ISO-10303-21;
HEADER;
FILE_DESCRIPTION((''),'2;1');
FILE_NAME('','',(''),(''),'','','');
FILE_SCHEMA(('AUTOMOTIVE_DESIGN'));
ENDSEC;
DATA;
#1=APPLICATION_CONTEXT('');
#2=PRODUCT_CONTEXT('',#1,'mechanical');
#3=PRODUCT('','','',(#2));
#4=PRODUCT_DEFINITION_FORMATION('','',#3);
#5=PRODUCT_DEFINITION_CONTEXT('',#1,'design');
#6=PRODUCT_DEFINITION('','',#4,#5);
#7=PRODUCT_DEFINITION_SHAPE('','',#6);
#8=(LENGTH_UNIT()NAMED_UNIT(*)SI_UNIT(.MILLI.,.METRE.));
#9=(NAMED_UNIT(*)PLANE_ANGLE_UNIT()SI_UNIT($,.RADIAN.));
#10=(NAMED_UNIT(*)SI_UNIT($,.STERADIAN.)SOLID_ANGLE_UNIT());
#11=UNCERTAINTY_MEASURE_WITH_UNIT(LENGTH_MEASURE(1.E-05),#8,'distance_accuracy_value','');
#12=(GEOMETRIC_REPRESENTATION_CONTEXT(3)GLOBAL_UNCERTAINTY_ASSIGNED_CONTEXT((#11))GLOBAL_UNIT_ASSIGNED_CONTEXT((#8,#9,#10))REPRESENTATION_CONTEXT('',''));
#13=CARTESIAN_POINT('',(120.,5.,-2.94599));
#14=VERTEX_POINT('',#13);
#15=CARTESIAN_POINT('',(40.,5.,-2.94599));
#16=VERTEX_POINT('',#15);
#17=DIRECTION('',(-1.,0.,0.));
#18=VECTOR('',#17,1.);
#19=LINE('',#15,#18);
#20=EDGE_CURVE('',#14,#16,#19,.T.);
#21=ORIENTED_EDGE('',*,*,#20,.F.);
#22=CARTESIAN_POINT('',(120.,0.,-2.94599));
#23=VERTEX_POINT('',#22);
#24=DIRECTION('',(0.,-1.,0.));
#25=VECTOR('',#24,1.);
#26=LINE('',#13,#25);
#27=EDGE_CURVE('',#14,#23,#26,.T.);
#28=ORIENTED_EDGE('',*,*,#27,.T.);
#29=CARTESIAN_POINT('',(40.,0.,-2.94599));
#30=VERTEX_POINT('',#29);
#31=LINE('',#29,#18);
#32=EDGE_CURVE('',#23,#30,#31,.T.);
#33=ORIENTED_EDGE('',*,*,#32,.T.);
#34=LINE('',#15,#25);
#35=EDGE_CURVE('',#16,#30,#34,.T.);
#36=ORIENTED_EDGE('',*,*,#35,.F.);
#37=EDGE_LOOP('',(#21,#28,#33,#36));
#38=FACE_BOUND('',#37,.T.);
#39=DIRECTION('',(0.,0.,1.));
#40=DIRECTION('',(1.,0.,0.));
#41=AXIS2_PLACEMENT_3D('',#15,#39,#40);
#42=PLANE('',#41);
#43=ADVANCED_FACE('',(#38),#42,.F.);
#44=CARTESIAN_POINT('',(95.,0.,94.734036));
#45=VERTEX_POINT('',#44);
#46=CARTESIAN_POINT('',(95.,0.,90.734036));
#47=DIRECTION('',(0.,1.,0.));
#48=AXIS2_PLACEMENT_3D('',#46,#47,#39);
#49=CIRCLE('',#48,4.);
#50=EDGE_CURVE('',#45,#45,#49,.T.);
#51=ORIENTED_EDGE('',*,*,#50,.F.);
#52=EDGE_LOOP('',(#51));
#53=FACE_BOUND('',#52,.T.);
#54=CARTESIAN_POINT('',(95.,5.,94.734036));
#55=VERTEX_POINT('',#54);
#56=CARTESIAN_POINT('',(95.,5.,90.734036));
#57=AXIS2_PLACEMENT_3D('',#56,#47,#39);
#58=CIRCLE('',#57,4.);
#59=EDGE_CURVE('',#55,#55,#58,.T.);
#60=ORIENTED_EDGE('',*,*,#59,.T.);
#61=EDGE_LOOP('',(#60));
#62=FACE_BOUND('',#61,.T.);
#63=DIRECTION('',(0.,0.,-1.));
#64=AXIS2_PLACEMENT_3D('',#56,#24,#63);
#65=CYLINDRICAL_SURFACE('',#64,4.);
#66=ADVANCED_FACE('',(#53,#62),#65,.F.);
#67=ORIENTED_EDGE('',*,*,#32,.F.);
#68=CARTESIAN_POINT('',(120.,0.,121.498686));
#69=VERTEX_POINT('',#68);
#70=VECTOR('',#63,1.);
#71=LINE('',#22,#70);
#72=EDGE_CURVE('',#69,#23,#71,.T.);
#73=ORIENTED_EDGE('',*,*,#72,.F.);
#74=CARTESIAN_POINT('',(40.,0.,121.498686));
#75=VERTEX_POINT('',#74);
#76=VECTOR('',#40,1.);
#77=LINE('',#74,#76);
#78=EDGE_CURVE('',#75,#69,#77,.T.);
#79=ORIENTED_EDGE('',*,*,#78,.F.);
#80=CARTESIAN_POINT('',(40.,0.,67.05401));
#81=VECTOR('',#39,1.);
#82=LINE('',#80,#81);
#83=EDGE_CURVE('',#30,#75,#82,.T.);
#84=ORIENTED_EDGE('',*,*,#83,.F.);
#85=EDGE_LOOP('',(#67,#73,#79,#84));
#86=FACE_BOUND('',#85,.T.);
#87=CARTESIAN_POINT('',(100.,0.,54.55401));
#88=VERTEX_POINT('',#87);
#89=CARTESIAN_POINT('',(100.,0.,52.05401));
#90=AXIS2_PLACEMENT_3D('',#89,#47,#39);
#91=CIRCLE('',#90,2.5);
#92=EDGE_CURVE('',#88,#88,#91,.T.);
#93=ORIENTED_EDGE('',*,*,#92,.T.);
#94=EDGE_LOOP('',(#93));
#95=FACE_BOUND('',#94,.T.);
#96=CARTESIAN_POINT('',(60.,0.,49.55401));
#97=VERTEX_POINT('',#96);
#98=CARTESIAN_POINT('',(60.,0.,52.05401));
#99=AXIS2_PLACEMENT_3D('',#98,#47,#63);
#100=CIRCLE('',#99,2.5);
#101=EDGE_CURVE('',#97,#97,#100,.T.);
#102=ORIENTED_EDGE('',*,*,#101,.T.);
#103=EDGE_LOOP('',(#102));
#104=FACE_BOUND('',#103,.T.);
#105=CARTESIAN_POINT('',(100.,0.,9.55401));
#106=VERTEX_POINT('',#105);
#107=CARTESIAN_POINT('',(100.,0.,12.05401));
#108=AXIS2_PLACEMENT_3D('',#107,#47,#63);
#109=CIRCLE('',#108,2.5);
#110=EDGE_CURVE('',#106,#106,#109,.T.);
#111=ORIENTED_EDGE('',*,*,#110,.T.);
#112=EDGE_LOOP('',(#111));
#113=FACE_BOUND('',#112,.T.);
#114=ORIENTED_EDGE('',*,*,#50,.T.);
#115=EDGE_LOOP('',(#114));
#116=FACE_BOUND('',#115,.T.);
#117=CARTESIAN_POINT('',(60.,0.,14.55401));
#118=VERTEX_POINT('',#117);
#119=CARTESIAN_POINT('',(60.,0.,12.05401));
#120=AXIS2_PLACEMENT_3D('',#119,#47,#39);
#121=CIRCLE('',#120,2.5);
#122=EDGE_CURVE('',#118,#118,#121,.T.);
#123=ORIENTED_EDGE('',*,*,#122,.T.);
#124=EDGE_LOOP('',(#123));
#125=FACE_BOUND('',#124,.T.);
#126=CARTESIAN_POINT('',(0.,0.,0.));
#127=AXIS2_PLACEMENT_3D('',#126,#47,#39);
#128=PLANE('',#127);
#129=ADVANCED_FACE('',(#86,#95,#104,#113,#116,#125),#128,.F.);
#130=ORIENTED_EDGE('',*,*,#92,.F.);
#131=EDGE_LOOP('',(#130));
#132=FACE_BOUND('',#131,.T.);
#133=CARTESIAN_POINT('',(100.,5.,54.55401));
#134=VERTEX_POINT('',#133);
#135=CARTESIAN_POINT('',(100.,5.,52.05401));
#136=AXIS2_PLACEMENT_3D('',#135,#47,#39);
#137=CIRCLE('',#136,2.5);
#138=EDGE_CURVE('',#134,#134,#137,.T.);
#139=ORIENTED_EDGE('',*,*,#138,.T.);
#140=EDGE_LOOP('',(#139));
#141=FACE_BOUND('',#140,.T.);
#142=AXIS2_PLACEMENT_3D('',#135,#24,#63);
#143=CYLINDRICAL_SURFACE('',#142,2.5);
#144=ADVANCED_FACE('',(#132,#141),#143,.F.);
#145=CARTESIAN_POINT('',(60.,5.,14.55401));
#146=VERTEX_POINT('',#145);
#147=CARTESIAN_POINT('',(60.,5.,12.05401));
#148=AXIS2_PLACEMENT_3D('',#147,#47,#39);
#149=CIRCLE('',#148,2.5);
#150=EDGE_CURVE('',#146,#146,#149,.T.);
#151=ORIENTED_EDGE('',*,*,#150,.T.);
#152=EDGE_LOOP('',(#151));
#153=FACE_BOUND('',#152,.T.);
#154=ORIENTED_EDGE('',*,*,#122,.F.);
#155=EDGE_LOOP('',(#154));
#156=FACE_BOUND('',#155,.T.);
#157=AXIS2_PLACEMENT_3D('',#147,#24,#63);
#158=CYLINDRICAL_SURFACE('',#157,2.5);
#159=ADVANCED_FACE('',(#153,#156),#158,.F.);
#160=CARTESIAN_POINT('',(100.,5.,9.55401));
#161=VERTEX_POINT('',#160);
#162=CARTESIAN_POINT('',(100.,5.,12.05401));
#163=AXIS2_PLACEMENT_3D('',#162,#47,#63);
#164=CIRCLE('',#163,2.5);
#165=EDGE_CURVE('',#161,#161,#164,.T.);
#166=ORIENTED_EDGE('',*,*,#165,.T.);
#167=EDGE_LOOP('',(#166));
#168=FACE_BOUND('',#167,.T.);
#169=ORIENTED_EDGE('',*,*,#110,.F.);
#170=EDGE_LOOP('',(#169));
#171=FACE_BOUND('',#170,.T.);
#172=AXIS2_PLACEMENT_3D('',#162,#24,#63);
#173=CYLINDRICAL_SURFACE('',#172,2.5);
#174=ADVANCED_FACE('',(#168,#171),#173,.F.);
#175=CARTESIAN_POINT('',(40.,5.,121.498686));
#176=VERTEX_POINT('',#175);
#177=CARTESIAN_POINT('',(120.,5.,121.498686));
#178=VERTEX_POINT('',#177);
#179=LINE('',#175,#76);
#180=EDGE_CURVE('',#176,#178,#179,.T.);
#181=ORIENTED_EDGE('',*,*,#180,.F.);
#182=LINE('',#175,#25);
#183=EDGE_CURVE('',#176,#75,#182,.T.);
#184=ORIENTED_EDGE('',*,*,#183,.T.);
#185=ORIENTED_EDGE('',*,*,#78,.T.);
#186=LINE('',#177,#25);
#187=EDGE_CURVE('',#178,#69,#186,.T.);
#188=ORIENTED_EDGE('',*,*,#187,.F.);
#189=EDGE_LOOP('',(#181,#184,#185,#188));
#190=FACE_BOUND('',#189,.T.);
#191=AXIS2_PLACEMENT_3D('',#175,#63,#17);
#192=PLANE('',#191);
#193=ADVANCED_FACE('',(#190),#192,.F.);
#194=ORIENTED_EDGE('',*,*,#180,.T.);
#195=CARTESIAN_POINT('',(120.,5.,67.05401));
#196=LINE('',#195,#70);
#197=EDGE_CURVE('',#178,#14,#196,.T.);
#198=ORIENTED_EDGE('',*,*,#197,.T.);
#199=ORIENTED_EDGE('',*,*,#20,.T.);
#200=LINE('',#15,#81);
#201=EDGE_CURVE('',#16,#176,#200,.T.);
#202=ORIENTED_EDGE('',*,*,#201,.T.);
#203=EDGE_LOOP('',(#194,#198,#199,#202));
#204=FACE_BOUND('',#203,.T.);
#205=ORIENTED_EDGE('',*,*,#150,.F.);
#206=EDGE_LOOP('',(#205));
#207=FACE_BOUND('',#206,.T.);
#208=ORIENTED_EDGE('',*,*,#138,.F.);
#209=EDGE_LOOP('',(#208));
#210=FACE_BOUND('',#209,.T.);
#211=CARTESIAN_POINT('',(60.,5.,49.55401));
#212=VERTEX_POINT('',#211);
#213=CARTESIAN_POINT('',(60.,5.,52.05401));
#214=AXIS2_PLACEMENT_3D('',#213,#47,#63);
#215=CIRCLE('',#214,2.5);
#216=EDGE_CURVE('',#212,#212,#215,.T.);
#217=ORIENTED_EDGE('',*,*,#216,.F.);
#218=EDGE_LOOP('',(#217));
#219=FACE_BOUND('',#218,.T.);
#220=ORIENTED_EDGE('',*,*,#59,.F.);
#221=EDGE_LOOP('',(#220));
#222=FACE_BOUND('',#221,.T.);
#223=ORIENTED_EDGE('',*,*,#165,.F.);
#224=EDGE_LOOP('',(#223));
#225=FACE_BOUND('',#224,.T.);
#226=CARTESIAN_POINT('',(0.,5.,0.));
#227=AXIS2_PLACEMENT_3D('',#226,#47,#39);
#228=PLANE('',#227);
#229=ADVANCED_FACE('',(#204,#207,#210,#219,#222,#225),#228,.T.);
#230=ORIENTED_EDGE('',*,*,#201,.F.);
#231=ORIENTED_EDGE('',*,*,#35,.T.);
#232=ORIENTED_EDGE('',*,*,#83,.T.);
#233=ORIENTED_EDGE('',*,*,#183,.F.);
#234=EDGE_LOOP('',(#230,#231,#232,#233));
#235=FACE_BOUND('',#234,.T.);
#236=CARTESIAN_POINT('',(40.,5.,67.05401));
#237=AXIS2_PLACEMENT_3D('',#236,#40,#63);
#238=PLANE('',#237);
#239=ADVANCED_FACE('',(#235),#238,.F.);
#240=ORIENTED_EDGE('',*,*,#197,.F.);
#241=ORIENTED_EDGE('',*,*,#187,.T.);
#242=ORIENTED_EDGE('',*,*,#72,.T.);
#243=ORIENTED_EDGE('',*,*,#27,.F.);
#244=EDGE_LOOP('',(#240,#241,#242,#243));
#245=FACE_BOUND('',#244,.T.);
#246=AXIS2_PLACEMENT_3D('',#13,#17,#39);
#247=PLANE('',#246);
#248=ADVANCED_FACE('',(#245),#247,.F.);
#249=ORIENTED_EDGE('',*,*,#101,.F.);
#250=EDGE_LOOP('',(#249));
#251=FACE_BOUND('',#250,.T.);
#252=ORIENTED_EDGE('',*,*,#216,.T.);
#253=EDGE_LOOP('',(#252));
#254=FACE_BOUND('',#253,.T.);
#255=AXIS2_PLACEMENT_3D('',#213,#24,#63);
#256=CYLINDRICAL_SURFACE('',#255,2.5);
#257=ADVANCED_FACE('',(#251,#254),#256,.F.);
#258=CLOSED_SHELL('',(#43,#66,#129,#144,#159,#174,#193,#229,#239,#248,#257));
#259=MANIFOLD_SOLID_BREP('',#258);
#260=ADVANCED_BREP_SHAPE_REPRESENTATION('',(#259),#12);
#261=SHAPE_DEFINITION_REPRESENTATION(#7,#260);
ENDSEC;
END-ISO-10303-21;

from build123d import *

# Parameters (mm, degrees)
SKETCH1_R           = 2.5
SKETCH1_R_2         = 4
BOSS_EXTRUDE1_DEPTH = 5


with BuildPart() as part:
    # Sketch1 → Boss-Extrude1 (new body)
    with BuildSketch(Plane(origin=(0, 0, 0), x_dir=(1, 0, 0), z_dir=(0, 1, 0))):
        Polygon((40, 2.94599018), (120, 2.94599018), (120, -67.05400982), (120, -121.498685507), (40, -121.498685507), (40, -67.05400982), align=None)
        with Locations(Location((60, -12.05400982, 0), (0, 0, 270))):
            Circle(SKETCH1_R, mode=Mode.SUBTRACT)
        with Locations(Location((60, -52.05400982, 0), (0, 0, 90))):
            Circle(SKETCH1_R, mode=Mode.SUBTRACT)
        with Locations(Location((100, -52.05400982, 0), (0, 0, 270))):
            Circle(SKETCH1_R, mode=Mode.SUBTRACT)
        with Locations(Location((100, -12.05400982, 0), (0, 0, 90))):
            Circle(SKETCH1_R, mode=Mode.SUBTRACT)
        with Locations(Location((95, -90.734036345, 0), (0, 0, 270))):
            Circle(SKETCH1_R_2, mode=Mode.SUBTRACT)
    extrude(amount=BOSS_EXTRUDE1_DEPTH)


solid = part.part
